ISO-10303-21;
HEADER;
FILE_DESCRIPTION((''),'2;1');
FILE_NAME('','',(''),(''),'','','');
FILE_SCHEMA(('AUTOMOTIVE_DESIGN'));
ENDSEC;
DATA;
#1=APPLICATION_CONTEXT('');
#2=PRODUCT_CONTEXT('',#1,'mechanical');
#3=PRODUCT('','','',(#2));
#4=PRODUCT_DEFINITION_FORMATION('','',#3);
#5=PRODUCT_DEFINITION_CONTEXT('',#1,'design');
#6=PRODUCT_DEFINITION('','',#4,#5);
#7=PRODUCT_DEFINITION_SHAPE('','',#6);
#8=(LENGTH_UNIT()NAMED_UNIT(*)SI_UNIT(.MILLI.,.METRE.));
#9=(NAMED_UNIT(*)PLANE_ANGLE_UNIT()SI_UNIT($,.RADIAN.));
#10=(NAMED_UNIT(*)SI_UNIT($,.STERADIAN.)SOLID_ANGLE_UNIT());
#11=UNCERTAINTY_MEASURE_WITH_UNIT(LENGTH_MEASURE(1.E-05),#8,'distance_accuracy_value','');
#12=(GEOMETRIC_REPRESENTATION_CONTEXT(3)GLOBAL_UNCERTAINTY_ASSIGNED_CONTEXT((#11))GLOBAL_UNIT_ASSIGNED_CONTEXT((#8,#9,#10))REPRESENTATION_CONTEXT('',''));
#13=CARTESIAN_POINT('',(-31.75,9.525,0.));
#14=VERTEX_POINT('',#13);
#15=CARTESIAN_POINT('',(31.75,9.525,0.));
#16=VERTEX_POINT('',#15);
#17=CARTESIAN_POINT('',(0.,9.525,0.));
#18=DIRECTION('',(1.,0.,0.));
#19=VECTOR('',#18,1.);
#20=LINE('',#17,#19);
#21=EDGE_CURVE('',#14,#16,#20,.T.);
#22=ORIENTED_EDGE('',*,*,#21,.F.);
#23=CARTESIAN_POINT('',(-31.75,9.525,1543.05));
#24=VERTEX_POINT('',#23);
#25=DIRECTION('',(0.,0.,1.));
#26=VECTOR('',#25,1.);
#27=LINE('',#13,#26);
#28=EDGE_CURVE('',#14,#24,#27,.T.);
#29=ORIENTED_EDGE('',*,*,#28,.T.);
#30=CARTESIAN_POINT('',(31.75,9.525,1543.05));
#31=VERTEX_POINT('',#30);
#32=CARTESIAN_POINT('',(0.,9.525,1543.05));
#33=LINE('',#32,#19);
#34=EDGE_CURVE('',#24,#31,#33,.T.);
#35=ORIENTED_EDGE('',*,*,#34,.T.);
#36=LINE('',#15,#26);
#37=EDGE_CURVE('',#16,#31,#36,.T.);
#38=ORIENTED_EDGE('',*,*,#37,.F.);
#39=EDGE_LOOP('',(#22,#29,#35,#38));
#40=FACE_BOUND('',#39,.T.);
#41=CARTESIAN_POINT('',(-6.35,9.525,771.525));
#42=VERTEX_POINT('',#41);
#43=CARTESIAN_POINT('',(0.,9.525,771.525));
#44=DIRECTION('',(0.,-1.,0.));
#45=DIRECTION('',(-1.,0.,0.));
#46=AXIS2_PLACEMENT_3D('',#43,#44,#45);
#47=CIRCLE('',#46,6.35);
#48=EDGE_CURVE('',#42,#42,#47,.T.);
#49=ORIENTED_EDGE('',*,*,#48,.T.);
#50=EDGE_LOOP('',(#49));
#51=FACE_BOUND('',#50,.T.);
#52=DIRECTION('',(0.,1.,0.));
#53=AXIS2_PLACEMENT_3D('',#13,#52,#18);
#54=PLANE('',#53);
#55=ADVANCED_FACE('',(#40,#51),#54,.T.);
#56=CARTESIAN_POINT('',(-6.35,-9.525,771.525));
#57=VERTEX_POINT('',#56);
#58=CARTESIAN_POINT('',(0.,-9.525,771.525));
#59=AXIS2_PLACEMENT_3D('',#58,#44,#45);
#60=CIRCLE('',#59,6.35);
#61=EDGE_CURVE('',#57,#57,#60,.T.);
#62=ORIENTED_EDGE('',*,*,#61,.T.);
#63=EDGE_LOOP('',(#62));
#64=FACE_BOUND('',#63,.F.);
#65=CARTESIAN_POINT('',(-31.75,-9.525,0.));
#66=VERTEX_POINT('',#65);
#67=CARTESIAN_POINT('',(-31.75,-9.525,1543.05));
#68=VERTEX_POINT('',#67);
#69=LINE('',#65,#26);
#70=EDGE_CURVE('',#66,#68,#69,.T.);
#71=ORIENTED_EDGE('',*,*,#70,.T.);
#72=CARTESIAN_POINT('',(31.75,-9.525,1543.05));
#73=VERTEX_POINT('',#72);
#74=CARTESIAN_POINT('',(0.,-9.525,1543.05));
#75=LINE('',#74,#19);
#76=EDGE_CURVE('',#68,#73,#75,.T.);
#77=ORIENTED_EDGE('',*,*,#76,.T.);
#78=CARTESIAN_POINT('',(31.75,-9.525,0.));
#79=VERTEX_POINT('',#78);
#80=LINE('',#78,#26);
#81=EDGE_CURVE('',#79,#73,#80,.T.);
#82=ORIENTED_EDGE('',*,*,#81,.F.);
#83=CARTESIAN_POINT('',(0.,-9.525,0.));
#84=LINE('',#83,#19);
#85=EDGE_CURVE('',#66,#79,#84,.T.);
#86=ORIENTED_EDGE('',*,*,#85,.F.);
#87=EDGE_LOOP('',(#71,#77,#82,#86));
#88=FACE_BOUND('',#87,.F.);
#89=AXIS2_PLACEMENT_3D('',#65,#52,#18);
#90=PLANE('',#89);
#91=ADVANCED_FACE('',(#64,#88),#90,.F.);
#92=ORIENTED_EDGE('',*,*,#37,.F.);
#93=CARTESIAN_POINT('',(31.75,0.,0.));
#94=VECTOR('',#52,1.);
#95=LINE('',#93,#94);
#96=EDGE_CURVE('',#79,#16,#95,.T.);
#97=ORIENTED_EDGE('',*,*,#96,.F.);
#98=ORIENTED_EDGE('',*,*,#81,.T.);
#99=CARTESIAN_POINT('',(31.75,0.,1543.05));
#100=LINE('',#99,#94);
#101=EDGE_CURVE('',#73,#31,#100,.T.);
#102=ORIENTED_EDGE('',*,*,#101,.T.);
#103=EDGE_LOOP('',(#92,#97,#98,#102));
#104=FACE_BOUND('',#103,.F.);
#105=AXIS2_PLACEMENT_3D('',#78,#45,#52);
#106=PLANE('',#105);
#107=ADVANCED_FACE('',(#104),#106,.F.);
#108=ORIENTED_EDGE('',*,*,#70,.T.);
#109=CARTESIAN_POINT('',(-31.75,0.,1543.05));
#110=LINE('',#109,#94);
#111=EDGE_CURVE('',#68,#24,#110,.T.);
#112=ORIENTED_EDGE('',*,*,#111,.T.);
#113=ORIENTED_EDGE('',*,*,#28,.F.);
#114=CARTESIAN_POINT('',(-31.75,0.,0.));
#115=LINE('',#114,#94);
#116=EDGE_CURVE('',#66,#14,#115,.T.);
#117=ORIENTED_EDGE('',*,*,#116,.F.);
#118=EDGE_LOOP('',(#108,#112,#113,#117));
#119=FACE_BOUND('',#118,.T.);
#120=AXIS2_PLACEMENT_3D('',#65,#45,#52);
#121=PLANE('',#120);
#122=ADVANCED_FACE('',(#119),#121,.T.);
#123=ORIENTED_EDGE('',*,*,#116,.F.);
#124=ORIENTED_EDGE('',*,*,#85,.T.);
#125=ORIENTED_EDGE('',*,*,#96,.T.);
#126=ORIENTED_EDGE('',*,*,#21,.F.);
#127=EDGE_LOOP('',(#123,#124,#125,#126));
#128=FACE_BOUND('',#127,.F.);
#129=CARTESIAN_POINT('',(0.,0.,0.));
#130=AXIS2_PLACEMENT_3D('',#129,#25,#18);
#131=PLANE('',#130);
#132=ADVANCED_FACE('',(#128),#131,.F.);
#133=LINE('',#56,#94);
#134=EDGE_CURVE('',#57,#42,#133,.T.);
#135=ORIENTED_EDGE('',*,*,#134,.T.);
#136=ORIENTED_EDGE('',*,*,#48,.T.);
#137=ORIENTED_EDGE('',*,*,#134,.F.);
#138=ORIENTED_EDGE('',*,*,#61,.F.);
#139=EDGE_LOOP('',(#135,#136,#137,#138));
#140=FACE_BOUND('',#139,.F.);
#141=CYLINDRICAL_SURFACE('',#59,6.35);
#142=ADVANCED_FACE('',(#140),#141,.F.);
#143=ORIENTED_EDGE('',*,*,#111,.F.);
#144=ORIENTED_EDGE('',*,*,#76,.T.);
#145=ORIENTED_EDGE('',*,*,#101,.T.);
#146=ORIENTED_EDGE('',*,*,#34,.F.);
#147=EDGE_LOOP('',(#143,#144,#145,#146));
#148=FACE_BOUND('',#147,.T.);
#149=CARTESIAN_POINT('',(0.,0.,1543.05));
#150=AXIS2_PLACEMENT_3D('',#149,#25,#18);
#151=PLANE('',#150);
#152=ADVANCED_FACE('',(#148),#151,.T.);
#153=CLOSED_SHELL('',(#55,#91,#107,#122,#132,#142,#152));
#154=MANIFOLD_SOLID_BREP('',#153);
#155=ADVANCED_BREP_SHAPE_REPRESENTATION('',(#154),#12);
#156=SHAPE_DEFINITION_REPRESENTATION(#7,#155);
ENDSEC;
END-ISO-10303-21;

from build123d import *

# Parameters (mm, degrees)
F0_W     = 63.5
F0_H     = 19.05
F1_DEPTH = 1543.05
F3_DEPTH = 25.4


with BuildPart() as f1:
    # F0 (on Top) → F1 (new body)
    with BuildSketch(Plane.XY):
        Rectangle(F0_W, F0_H)
    extrude(amount=F1_DEPTH)

    # F2 (on face) → F3 (cut)
    with BuildSketch(Plane.XZ.offset(9.525)):
        with BuildLine():
            ThreePointArc((6.35, 771.525), (0, 777.875), (-6.35, 771.525))
            Line((-6.35, 771.525), (6.35, 771.525))
        make_face()
        with BuildLine():
            Line((6.35, 771.525), (-6.35, 771.525))
            ThreePointArc((-6.35, 771.525), (0, 765.175), (6.35, 771.525))
        make_face()
    extrude(amount=-F3_DEPTH, mode=Mode.SUBTRACT)


solid = f1.part
